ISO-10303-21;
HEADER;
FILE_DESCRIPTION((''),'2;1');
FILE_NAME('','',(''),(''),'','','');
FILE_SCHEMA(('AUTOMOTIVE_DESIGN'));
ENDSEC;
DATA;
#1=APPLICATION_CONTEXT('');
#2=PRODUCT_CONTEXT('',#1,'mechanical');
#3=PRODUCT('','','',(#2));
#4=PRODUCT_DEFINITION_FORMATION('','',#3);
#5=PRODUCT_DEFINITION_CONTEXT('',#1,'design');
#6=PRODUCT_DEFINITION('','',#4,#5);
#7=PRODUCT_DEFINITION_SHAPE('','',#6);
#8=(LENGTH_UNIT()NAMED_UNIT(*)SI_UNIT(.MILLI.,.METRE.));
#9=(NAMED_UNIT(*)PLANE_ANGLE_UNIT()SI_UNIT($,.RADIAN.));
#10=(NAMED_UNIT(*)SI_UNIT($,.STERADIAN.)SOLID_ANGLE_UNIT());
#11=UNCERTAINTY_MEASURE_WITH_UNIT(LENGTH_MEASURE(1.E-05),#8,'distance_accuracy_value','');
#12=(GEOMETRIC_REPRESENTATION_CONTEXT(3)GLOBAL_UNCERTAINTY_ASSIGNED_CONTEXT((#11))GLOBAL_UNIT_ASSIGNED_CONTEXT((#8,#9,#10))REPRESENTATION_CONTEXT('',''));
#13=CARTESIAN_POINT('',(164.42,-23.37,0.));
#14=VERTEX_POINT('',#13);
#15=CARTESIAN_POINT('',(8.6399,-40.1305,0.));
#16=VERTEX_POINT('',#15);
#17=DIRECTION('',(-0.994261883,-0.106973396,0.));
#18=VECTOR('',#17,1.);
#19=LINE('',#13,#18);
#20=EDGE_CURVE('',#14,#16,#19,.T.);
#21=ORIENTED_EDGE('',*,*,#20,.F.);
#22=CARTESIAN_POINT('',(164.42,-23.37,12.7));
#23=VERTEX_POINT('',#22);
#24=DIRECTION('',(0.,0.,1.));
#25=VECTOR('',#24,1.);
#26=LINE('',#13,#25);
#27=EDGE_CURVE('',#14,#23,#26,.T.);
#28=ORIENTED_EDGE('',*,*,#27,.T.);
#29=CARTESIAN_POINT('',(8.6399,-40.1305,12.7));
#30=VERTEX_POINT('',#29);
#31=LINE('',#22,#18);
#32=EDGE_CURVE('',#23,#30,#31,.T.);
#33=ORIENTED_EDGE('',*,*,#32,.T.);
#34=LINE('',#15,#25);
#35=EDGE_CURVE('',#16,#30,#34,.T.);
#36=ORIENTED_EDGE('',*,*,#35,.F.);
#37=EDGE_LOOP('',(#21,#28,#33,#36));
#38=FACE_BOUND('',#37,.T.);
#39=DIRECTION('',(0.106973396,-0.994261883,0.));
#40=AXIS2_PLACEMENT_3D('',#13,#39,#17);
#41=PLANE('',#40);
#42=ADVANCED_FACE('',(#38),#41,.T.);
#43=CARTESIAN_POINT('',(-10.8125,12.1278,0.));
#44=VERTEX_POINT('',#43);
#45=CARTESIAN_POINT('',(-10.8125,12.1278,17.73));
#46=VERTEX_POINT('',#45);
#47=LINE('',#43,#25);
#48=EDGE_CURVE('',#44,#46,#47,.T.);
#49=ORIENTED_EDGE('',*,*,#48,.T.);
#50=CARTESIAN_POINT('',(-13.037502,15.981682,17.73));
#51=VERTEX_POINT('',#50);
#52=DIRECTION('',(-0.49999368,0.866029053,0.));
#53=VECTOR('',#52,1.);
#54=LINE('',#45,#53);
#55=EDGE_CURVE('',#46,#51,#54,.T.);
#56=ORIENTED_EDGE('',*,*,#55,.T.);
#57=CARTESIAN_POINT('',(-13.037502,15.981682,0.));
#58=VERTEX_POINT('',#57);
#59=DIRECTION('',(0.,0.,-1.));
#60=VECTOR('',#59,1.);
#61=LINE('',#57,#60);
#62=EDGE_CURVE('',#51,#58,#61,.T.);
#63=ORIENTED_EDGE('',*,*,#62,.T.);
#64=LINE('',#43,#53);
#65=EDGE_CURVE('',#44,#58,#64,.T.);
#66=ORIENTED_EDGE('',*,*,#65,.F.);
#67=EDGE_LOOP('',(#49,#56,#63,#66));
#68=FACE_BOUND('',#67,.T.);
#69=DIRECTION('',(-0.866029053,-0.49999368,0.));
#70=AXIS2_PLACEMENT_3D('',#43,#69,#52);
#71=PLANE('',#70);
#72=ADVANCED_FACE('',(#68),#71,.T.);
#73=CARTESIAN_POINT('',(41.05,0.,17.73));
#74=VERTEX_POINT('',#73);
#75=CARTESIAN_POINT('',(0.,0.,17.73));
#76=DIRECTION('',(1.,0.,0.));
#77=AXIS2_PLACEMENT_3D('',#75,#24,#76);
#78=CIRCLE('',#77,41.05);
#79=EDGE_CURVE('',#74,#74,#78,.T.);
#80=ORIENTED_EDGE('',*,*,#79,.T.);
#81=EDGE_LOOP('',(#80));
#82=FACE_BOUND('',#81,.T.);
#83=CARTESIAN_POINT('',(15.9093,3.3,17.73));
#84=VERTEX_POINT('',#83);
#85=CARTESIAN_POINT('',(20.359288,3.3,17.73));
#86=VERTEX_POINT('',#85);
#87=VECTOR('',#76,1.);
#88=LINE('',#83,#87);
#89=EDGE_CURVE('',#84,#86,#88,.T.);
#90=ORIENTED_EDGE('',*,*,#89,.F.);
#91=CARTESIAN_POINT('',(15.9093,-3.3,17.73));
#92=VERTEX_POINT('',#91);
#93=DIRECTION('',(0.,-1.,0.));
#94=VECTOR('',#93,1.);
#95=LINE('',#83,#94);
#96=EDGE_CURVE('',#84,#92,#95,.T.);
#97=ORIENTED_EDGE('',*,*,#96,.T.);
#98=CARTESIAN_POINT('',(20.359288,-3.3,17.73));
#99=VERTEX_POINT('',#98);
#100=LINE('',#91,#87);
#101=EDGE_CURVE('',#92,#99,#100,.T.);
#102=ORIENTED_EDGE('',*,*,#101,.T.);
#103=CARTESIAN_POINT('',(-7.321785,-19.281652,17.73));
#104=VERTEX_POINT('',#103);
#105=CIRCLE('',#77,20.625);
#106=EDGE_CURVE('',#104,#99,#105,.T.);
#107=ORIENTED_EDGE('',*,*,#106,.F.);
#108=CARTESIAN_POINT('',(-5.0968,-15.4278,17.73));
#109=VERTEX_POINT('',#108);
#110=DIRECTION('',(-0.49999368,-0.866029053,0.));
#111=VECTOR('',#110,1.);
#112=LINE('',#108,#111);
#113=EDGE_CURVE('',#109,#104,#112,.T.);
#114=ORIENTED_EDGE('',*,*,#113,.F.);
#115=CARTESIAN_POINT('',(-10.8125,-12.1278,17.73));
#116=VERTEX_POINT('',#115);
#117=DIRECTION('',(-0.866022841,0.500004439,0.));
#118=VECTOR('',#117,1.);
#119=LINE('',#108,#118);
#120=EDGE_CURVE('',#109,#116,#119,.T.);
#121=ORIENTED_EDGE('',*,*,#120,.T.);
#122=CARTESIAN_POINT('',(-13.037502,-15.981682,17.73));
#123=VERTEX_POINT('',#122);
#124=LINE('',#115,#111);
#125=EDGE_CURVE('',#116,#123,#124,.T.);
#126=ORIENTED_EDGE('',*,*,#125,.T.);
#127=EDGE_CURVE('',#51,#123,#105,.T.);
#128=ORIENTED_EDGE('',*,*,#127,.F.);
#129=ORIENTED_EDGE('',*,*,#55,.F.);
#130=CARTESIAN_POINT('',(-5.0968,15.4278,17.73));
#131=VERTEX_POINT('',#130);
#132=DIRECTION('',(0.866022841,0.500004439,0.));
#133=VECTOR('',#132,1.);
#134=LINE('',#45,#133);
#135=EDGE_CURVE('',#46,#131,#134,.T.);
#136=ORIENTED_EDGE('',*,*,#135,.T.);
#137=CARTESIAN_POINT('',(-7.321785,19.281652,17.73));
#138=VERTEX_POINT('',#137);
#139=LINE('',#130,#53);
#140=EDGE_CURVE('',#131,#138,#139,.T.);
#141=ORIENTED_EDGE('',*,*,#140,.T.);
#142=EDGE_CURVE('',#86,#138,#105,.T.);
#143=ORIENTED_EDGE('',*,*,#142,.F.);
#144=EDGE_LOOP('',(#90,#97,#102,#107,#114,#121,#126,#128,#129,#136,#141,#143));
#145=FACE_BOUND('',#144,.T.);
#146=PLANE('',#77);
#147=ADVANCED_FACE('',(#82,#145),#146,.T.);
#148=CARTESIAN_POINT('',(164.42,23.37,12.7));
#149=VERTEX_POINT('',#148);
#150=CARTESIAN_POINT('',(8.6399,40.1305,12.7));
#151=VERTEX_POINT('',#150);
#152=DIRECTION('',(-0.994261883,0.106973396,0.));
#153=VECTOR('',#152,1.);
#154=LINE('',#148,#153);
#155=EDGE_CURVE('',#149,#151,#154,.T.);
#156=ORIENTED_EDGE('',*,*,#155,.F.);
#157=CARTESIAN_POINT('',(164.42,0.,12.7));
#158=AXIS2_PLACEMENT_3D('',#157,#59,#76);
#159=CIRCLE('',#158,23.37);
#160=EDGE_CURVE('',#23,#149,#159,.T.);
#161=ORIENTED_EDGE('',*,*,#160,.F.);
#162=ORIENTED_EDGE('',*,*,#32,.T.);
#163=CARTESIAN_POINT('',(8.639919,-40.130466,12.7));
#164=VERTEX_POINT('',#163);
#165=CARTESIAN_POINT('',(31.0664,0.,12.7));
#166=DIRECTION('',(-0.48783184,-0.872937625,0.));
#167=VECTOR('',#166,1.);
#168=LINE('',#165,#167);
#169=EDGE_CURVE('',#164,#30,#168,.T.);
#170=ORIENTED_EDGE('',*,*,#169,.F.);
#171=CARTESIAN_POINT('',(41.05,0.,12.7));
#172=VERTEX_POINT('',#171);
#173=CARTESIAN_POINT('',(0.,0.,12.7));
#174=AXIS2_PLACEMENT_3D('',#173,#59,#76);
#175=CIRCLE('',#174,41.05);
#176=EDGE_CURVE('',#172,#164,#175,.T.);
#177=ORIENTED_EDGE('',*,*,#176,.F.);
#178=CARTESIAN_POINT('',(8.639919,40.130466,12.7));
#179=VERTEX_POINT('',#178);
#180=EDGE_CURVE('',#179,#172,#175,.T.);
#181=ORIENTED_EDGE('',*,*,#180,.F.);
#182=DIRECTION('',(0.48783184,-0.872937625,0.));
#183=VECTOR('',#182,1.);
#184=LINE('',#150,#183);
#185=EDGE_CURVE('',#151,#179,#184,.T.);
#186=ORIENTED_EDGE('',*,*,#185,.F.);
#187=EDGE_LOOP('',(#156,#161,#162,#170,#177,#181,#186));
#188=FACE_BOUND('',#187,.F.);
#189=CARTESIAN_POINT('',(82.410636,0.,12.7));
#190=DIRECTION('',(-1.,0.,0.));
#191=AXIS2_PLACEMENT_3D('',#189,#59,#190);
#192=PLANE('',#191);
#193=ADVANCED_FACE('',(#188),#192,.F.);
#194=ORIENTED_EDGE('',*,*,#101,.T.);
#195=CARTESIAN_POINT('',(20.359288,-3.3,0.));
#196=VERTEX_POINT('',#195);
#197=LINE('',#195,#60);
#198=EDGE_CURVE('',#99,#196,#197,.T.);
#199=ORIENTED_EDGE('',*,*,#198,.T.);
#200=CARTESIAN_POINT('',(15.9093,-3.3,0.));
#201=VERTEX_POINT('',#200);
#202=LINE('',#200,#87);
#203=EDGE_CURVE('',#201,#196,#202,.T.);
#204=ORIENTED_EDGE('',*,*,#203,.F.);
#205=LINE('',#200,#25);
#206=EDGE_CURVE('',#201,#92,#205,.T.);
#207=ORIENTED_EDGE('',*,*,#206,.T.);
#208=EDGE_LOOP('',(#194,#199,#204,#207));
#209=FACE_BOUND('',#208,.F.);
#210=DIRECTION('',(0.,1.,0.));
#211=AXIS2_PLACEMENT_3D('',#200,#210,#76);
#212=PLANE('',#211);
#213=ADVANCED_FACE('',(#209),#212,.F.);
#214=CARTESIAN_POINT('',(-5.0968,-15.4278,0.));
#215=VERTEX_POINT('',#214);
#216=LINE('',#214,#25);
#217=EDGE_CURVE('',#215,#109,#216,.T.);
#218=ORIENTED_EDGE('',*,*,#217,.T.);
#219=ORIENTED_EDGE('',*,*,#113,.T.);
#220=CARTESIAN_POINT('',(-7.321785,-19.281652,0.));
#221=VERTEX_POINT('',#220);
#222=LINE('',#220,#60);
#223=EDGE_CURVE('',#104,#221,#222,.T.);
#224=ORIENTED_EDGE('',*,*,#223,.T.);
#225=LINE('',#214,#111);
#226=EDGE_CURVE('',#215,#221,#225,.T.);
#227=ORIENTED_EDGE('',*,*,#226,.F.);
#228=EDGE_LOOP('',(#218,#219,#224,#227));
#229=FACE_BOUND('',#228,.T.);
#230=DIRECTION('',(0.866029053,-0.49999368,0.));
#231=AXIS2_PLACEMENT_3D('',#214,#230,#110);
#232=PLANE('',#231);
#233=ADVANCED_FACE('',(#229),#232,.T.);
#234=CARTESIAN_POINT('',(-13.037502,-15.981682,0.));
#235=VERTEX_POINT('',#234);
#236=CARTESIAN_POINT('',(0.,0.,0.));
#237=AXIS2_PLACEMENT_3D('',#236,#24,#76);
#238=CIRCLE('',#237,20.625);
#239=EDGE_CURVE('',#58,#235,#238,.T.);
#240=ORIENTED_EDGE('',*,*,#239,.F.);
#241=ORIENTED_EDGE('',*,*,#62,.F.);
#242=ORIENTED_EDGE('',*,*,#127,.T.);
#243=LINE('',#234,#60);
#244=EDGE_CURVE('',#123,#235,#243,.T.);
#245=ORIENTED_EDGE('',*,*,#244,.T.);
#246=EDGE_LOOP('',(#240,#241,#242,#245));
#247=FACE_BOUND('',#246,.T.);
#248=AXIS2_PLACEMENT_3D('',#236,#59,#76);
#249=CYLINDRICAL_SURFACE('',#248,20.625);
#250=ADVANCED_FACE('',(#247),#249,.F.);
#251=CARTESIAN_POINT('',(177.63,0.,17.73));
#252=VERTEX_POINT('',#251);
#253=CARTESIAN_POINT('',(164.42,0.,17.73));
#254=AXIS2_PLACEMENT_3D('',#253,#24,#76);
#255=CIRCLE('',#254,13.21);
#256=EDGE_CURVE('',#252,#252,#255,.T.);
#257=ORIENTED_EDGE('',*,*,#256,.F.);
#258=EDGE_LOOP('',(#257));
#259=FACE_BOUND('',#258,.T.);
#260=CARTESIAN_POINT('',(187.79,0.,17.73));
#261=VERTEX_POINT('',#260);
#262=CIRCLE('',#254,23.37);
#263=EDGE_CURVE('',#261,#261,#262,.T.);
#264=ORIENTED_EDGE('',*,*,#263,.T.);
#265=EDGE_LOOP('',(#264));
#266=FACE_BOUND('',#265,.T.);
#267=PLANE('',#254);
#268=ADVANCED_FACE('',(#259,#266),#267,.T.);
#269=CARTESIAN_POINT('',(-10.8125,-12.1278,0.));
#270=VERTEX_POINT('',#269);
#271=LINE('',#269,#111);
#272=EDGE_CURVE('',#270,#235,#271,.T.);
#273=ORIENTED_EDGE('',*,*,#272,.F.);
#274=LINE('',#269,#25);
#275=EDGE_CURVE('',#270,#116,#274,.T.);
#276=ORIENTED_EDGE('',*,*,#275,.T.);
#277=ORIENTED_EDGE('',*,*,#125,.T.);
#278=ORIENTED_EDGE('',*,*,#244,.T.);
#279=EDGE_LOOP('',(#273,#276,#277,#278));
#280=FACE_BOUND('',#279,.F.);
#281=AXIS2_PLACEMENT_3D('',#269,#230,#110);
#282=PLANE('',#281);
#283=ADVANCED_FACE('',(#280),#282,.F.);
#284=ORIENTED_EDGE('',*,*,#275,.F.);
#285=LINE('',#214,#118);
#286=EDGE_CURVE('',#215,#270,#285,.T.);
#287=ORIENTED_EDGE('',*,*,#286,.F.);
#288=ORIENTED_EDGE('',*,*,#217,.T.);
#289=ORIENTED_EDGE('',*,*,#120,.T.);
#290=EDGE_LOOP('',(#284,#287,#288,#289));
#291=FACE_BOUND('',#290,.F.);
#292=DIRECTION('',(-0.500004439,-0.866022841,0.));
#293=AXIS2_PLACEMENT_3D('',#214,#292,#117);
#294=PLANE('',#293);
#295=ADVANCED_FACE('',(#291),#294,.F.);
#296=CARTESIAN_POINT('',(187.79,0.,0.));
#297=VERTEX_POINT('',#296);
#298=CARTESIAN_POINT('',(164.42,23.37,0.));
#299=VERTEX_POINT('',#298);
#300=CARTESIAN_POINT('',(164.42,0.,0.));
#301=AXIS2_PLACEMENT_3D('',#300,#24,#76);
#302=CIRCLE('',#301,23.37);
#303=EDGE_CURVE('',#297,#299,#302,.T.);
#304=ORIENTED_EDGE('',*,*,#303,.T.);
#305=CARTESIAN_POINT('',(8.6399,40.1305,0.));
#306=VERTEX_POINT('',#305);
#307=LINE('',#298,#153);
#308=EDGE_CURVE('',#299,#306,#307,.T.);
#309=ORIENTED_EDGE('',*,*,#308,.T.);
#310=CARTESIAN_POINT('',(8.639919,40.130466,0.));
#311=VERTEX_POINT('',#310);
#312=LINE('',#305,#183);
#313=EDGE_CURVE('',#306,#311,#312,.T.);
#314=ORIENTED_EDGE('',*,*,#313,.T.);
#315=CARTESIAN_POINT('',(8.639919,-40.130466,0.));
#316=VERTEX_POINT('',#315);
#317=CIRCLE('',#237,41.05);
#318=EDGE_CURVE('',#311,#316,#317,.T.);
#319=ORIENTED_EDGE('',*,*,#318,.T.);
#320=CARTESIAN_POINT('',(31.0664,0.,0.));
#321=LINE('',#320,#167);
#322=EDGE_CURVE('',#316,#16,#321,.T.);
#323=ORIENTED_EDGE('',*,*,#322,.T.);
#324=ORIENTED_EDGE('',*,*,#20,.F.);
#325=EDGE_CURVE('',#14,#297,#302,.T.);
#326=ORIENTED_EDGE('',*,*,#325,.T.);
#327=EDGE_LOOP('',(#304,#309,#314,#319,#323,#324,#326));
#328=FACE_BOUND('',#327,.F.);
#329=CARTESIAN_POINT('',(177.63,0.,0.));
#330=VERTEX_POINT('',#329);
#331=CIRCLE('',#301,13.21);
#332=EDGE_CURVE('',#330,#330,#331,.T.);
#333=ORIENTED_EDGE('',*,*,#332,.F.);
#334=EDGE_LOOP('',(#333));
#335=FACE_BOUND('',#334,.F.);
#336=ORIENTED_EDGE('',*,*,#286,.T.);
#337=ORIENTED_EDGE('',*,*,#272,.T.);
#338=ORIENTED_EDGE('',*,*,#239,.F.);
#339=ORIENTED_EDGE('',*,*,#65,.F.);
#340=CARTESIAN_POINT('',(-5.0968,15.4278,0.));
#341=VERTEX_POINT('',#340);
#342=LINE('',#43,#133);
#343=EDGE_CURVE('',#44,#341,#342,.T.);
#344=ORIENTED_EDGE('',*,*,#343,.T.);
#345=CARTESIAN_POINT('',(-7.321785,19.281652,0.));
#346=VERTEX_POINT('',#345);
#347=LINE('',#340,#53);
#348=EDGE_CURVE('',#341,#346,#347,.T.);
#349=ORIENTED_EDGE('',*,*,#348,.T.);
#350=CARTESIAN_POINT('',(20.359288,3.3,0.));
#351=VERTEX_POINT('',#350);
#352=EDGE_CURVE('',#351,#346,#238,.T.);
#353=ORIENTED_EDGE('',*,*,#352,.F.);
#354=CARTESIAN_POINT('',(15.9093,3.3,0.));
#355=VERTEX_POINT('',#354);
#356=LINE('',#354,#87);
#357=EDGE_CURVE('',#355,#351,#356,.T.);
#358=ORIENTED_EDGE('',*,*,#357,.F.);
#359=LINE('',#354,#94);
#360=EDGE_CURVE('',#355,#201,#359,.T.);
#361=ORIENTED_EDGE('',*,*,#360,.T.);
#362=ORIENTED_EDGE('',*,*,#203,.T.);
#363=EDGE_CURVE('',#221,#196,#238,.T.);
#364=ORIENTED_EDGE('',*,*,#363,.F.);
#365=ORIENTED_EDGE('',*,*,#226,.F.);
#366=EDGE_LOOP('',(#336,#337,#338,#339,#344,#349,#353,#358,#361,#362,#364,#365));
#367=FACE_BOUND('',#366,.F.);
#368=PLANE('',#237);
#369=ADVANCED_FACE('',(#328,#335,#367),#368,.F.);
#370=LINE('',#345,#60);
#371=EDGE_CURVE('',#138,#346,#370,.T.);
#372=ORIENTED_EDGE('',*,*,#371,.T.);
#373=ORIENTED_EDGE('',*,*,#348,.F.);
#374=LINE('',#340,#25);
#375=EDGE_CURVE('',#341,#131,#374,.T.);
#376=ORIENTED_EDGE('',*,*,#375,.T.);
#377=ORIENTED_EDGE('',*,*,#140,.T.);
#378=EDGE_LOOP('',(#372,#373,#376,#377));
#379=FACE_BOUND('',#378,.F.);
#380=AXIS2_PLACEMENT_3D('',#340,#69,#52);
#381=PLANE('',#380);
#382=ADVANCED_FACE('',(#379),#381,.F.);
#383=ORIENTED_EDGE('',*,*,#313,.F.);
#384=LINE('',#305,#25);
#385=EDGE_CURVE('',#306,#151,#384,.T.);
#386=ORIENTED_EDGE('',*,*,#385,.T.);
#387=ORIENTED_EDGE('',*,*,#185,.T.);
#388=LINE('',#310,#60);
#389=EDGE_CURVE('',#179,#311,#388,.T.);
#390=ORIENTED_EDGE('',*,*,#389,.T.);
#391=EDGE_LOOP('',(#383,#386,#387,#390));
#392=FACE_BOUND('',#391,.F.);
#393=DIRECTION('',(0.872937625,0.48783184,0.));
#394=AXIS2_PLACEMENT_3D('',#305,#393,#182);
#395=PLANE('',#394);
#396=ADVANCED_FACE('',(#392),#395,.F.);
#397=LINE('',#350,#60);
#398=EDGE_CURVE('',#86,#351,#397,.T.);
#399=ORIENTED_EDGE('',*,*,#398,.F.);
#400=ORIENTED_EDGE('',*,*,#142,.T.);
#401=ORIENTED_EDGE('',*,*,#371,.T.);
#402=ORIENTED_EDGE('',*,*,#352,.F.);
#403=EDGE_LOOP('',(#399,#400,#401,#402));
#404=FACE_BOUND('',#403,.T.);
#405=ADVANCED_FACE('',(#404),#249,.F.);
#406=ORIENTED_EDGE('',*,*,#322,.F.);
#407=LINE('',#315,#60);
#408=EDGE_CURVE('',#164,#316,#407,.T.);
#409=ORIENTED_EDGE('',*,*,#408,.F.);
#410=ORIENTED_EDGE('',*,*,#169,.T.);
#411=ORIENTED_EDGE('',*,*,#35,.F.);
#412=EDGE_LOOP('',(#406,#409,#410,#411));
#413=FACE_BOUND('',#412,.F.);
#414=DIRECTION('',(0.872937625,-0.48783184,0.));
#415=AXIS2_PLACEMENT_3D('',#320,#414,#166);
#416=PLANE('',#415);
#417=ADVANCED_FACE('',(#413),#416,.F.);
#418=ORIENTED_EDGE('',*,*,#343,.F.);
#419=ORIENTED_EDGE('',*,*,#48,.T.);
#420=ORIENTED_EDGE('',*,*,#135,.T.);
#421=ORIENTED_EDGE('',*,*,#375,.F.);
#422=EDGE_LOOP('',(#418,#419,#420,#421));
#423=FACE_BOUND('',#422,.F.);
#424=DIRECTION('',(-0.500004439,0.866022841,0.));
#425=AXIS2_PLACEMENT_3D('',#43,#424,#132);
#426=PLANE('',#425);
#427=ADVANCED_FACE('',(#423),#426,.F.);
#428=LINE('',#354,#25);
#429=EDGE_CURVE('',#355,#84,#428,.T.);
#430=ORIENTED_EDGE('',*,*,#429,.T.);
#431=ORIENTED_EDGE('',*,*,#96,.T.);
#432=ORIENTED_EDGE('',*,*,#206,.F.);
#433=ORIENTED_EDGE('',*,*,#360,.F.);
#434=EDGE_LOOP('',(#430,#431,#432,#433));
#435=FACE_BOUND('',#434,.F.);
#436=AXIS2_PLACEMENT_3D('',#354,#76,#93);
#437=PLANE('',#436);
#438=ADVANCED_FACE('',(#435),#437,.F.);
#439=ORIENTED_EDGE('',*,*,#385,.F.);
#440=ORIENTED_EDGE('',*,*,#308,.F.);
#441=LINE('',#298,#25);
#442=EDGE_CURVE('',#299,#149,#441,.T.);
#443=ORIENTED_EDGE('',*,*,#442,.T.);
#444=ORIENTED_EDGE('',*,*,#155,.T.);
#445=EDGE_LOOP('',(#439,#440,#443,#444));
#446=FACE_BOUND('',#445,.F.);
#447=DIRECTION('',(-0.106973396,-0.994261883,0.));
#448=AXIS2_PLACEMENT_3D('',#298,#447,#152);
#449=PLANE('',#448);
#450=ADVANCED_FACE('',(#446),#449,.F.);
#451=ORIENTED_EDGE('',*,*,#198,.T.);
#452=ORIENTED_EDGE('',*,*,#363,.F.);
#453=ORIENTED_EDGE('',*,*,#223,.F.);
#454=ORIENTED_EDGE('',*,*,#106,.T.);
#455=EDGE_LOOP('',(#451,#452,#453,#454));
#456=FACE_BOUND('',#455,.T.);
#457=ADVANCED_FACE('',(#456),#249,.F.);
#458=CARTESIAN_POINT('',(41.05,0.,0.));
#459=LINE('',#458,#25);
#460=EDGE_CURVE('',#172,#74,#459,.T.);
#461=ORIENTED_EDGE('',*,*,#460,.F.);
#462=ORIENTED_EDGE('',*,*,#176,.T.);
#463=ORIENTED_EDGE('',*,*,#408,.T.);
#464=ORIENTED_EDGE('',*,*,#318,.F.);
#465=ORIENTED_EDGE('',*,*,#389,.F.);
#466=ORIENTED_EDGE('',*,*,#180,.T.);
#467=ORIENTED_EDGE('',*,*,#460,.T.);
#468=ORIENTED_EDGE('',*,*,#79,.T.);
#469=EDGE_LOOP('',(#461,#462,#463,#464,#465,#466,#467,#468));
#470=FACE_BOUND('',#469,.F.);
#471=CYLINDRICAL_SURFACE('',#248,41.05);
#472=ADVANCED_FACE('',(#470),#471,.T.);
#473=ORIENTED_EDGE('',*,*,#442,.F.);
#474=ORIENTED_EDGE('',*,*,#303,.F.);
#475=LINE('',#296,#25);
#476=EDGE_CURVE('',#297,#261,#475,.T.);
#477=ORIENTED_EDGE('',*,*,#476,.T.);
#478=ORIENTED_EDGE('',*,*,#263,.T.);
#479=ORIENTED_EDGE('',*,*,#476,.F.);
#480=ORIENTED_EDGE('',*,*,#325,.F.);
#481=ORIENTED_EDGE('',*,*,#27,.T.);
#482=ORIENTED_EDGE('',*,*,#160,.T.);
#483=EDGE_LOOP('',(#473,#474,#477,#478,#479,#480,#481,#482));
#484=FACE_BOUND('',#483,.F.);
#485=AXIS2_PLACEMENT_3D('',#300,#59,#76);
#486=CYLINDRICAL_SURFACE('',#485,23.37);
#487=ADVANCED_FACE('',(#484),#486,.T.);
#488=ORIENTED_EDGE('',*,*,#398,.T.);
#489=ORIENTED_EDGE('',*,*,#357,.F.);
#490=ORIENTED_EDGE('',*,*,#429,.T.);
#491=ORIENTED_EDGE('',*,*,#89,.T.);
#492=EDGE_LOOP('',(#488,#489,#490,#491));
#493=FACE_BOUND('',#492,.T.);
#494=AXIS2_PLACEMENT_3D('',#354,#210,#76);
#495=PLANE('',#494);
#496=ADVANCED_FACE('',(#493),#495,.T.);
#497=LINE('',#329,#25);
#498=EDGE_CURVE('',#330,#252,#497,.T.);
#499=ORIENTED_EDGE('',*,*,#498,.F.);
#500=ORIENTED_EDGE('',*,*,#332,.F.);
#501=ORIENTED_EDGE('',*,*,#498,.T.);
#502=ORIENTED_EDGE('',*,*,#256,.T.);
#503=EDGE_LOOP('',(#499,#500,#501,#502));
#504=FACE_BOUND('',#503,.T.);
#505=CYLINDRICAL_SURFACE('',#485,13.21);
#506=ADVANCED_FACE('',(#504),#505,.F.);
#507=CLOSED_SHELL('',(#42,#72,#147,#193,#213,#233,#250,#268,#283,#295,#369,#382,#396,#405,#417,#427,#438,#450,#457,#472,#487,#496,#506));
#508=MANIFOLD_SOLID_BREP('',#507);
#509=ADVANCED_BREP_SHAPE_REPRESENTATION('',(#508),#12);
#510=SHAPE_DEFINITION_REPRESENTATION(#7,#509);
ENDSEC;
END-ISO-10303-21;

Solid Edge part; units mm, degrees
sketch "Sketch1" plane through (0, 0, 0) normal (0, 0, 1) x (1, 0, 0)
  circle A0 centre (0, 0) radius 41.05
  circle A1 centre (0, 0) radius 20.625
  circle A2 centre (164.42, 0) radius 23.37
  circle A3 centre (164.42, 0) radius 13.21
extrude "Protrusion1" add sketch "Sketch1" along normal blind 17.73
sketch "Sketch2" plane through (0, 0, 0) normal (0, 0, 1) x (1, 0, 0)
  line L0 (164.42, -23.37) -> (8.6399, -40.1305)
  line L1 (31.0664, 0) -> (8.6399, -40.1305)
  line L2 (8.6399, 40.1305) -> (31.0664, 0)
  line L3 (164.42, 23.37) -> (8.6399, 40.1305)
  line L4 (143.9301, 0) -> (164.42, 23.37)
  line L5 (164.42, -23.37) -> (143.9301, 0)
extrude "ExtrudedProtrusion_2" add sketch "Sketch2" along normal blind 12.7
sketch "Sketch3" plane through (0, 0, 0) normal (0, 0, 1) x (1, 0, 0)
  line L0 (-5.0968, -15.4278) -> (-7.5968, -19.758)
  line L1 (-13.3125, -16.458) -> (-7.5968, -19.758)
  line L2 (-10.8125, -12.1278) -> (-13.3125, -16.458)
  line L3 (-5.0968, -15.4278) -> (-10.8125, -12.1278)
  line L4 (-10.8125, 12.1278) -> (-5.0968, 15.4278)
  line L5 (-5.0968, 15.4278) -> (-7.5968, 19.758)
  line L6 (-7.5968, 19.758) -> (-13.3125, 16.458)
  line L7 (-10.8125, 12.1278) -> (-13.3125, 16.458)
  line L8 (15.9093, -3.3) -> (20.9093, -3.3)
  line L9 (20.9093, -3.3) -> (20.9093, 3.3)
  line L10 (15.9093, 3.3) -> (20.9093, 3.3)
  line L11 (15.9093, 3.3) -> (15.9093, -3.3)
extrude "Protrusion2" add sketch "Sketch3" along normal up to vertex (17.73 mm away)
